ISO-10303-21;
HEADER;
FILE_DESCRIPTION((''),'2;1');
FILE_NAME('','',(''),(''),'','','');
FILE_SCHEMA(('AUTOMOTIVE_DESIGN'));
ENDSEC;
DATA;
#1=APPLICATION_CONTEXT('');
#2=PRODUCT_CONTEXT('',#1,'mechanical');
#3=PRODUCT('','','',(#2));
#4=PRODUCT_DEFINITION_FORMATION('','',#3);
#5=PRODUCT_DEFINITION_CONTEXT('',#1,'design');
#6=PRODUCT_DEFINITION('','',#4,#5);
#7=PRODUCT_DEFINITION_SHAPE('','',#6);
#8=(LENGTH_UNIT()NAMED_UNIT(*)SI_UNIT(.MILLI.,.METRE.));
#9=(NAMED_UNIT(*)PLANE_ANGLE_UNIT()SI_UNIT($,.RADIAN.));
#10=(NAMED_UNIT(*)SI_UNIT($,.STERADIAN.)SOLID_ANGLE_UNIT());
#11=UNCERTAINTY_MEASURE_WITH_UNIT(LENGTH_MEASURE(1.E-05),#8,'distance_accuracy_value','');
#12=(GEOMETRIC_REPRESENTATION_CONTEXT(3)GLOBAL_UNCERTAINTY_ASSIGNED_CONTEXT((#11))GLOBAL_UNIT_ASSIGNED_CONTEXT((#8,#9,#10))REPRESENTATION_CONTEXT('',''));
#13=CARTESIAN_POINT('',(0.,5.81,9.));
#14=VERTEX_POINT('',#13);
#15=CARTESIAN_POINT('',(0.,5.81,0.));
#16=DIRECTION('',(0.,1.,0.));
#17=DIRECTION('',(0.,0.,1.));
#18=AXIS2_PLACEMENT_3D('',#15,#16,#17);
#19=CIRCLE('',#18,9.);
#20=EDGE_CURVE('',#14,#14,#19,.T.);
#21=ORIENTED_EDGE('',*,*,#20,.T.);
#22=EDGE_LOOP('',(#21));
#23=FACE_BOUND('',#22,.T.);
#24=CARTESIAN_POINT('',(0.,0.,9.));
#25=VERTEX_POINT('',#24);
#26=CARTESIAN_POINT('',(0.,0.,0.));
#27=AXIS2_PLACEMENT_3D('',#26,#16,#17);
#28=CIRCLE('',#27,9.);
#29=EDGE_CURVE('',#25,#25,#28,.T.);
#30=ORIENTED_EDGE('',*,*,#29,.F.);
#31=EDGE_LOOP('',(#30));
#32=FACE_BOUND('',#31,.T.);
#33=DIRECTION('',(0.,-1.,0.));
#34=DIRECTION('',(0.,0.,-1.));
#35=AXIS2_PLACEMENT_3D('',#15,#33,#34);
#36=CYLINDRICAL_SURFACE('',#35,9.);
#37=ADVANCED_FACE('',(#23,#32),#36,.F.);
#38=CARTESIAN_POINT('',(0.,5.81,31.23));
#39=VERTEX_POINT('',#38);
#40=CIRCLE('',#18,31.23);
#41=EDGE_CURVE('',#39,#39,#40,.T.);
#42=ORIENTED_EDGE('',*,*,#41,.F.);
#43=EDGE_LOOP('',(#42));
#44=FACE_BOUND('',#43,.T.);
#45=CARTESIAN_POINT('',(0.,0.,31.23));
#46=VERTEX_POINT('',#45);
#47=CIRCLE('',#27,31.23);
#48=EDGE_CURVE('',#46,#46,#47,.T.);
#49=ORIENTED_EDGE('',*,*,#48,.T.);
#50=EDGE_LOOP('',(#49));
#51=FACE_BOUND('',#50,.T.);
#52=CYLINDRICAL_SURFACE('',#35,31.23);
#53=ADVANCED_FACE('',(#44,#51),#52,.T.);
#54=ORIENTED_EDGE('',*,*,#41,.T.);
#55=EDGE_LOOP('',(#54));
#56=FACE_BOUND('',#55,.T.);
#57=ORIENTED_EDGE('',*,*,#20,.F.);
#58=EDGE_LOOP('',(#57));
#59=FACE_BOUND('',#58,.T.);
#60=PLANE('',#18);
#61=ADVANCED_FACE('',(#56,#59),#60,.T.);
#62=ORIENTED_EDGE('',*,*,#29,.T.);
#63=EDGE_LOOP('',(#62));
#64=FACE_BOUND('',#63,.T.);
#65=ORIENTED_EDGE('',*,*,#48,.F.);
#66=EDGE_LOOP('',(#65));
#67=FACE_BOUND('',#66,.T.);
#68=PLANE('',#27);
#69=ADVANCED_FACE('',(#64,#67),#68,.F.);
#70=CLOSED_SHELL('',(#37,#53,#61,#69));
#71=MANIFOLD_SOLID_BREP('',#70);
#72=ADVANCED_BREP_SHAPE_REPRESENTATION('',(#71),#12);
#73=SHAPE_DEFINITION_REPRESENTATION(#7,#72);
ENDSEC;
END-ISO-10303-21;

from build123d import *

# Parameters (mm, degrees)
SKETCH1_R           = 31.23
SKETCH1_R_2         = 9
BOSS_EXTRUDE1_DEPTH = 5.81


with BuildPart() as part:
    # Sketch1 → Boss-Extrude1 (new body)
    with BuildSketch(Plane(origin=(0, 0, 0), x_dir=(1, 0, 0), z_dir=(0, 1, 0))):
        with Locations(Location((0, 0, 0), (0, 0, 270))):
            Circle(SKETCH1_R)
        with Locations(Location((0, 0, 0), (0, 0, 270))):
            Circle(SKETCH1_R_2, mode=Mode.SUBTRACT)
    extrude(amount=BOSS_EXTRUDE1_DEPTH)


solid = part.part
